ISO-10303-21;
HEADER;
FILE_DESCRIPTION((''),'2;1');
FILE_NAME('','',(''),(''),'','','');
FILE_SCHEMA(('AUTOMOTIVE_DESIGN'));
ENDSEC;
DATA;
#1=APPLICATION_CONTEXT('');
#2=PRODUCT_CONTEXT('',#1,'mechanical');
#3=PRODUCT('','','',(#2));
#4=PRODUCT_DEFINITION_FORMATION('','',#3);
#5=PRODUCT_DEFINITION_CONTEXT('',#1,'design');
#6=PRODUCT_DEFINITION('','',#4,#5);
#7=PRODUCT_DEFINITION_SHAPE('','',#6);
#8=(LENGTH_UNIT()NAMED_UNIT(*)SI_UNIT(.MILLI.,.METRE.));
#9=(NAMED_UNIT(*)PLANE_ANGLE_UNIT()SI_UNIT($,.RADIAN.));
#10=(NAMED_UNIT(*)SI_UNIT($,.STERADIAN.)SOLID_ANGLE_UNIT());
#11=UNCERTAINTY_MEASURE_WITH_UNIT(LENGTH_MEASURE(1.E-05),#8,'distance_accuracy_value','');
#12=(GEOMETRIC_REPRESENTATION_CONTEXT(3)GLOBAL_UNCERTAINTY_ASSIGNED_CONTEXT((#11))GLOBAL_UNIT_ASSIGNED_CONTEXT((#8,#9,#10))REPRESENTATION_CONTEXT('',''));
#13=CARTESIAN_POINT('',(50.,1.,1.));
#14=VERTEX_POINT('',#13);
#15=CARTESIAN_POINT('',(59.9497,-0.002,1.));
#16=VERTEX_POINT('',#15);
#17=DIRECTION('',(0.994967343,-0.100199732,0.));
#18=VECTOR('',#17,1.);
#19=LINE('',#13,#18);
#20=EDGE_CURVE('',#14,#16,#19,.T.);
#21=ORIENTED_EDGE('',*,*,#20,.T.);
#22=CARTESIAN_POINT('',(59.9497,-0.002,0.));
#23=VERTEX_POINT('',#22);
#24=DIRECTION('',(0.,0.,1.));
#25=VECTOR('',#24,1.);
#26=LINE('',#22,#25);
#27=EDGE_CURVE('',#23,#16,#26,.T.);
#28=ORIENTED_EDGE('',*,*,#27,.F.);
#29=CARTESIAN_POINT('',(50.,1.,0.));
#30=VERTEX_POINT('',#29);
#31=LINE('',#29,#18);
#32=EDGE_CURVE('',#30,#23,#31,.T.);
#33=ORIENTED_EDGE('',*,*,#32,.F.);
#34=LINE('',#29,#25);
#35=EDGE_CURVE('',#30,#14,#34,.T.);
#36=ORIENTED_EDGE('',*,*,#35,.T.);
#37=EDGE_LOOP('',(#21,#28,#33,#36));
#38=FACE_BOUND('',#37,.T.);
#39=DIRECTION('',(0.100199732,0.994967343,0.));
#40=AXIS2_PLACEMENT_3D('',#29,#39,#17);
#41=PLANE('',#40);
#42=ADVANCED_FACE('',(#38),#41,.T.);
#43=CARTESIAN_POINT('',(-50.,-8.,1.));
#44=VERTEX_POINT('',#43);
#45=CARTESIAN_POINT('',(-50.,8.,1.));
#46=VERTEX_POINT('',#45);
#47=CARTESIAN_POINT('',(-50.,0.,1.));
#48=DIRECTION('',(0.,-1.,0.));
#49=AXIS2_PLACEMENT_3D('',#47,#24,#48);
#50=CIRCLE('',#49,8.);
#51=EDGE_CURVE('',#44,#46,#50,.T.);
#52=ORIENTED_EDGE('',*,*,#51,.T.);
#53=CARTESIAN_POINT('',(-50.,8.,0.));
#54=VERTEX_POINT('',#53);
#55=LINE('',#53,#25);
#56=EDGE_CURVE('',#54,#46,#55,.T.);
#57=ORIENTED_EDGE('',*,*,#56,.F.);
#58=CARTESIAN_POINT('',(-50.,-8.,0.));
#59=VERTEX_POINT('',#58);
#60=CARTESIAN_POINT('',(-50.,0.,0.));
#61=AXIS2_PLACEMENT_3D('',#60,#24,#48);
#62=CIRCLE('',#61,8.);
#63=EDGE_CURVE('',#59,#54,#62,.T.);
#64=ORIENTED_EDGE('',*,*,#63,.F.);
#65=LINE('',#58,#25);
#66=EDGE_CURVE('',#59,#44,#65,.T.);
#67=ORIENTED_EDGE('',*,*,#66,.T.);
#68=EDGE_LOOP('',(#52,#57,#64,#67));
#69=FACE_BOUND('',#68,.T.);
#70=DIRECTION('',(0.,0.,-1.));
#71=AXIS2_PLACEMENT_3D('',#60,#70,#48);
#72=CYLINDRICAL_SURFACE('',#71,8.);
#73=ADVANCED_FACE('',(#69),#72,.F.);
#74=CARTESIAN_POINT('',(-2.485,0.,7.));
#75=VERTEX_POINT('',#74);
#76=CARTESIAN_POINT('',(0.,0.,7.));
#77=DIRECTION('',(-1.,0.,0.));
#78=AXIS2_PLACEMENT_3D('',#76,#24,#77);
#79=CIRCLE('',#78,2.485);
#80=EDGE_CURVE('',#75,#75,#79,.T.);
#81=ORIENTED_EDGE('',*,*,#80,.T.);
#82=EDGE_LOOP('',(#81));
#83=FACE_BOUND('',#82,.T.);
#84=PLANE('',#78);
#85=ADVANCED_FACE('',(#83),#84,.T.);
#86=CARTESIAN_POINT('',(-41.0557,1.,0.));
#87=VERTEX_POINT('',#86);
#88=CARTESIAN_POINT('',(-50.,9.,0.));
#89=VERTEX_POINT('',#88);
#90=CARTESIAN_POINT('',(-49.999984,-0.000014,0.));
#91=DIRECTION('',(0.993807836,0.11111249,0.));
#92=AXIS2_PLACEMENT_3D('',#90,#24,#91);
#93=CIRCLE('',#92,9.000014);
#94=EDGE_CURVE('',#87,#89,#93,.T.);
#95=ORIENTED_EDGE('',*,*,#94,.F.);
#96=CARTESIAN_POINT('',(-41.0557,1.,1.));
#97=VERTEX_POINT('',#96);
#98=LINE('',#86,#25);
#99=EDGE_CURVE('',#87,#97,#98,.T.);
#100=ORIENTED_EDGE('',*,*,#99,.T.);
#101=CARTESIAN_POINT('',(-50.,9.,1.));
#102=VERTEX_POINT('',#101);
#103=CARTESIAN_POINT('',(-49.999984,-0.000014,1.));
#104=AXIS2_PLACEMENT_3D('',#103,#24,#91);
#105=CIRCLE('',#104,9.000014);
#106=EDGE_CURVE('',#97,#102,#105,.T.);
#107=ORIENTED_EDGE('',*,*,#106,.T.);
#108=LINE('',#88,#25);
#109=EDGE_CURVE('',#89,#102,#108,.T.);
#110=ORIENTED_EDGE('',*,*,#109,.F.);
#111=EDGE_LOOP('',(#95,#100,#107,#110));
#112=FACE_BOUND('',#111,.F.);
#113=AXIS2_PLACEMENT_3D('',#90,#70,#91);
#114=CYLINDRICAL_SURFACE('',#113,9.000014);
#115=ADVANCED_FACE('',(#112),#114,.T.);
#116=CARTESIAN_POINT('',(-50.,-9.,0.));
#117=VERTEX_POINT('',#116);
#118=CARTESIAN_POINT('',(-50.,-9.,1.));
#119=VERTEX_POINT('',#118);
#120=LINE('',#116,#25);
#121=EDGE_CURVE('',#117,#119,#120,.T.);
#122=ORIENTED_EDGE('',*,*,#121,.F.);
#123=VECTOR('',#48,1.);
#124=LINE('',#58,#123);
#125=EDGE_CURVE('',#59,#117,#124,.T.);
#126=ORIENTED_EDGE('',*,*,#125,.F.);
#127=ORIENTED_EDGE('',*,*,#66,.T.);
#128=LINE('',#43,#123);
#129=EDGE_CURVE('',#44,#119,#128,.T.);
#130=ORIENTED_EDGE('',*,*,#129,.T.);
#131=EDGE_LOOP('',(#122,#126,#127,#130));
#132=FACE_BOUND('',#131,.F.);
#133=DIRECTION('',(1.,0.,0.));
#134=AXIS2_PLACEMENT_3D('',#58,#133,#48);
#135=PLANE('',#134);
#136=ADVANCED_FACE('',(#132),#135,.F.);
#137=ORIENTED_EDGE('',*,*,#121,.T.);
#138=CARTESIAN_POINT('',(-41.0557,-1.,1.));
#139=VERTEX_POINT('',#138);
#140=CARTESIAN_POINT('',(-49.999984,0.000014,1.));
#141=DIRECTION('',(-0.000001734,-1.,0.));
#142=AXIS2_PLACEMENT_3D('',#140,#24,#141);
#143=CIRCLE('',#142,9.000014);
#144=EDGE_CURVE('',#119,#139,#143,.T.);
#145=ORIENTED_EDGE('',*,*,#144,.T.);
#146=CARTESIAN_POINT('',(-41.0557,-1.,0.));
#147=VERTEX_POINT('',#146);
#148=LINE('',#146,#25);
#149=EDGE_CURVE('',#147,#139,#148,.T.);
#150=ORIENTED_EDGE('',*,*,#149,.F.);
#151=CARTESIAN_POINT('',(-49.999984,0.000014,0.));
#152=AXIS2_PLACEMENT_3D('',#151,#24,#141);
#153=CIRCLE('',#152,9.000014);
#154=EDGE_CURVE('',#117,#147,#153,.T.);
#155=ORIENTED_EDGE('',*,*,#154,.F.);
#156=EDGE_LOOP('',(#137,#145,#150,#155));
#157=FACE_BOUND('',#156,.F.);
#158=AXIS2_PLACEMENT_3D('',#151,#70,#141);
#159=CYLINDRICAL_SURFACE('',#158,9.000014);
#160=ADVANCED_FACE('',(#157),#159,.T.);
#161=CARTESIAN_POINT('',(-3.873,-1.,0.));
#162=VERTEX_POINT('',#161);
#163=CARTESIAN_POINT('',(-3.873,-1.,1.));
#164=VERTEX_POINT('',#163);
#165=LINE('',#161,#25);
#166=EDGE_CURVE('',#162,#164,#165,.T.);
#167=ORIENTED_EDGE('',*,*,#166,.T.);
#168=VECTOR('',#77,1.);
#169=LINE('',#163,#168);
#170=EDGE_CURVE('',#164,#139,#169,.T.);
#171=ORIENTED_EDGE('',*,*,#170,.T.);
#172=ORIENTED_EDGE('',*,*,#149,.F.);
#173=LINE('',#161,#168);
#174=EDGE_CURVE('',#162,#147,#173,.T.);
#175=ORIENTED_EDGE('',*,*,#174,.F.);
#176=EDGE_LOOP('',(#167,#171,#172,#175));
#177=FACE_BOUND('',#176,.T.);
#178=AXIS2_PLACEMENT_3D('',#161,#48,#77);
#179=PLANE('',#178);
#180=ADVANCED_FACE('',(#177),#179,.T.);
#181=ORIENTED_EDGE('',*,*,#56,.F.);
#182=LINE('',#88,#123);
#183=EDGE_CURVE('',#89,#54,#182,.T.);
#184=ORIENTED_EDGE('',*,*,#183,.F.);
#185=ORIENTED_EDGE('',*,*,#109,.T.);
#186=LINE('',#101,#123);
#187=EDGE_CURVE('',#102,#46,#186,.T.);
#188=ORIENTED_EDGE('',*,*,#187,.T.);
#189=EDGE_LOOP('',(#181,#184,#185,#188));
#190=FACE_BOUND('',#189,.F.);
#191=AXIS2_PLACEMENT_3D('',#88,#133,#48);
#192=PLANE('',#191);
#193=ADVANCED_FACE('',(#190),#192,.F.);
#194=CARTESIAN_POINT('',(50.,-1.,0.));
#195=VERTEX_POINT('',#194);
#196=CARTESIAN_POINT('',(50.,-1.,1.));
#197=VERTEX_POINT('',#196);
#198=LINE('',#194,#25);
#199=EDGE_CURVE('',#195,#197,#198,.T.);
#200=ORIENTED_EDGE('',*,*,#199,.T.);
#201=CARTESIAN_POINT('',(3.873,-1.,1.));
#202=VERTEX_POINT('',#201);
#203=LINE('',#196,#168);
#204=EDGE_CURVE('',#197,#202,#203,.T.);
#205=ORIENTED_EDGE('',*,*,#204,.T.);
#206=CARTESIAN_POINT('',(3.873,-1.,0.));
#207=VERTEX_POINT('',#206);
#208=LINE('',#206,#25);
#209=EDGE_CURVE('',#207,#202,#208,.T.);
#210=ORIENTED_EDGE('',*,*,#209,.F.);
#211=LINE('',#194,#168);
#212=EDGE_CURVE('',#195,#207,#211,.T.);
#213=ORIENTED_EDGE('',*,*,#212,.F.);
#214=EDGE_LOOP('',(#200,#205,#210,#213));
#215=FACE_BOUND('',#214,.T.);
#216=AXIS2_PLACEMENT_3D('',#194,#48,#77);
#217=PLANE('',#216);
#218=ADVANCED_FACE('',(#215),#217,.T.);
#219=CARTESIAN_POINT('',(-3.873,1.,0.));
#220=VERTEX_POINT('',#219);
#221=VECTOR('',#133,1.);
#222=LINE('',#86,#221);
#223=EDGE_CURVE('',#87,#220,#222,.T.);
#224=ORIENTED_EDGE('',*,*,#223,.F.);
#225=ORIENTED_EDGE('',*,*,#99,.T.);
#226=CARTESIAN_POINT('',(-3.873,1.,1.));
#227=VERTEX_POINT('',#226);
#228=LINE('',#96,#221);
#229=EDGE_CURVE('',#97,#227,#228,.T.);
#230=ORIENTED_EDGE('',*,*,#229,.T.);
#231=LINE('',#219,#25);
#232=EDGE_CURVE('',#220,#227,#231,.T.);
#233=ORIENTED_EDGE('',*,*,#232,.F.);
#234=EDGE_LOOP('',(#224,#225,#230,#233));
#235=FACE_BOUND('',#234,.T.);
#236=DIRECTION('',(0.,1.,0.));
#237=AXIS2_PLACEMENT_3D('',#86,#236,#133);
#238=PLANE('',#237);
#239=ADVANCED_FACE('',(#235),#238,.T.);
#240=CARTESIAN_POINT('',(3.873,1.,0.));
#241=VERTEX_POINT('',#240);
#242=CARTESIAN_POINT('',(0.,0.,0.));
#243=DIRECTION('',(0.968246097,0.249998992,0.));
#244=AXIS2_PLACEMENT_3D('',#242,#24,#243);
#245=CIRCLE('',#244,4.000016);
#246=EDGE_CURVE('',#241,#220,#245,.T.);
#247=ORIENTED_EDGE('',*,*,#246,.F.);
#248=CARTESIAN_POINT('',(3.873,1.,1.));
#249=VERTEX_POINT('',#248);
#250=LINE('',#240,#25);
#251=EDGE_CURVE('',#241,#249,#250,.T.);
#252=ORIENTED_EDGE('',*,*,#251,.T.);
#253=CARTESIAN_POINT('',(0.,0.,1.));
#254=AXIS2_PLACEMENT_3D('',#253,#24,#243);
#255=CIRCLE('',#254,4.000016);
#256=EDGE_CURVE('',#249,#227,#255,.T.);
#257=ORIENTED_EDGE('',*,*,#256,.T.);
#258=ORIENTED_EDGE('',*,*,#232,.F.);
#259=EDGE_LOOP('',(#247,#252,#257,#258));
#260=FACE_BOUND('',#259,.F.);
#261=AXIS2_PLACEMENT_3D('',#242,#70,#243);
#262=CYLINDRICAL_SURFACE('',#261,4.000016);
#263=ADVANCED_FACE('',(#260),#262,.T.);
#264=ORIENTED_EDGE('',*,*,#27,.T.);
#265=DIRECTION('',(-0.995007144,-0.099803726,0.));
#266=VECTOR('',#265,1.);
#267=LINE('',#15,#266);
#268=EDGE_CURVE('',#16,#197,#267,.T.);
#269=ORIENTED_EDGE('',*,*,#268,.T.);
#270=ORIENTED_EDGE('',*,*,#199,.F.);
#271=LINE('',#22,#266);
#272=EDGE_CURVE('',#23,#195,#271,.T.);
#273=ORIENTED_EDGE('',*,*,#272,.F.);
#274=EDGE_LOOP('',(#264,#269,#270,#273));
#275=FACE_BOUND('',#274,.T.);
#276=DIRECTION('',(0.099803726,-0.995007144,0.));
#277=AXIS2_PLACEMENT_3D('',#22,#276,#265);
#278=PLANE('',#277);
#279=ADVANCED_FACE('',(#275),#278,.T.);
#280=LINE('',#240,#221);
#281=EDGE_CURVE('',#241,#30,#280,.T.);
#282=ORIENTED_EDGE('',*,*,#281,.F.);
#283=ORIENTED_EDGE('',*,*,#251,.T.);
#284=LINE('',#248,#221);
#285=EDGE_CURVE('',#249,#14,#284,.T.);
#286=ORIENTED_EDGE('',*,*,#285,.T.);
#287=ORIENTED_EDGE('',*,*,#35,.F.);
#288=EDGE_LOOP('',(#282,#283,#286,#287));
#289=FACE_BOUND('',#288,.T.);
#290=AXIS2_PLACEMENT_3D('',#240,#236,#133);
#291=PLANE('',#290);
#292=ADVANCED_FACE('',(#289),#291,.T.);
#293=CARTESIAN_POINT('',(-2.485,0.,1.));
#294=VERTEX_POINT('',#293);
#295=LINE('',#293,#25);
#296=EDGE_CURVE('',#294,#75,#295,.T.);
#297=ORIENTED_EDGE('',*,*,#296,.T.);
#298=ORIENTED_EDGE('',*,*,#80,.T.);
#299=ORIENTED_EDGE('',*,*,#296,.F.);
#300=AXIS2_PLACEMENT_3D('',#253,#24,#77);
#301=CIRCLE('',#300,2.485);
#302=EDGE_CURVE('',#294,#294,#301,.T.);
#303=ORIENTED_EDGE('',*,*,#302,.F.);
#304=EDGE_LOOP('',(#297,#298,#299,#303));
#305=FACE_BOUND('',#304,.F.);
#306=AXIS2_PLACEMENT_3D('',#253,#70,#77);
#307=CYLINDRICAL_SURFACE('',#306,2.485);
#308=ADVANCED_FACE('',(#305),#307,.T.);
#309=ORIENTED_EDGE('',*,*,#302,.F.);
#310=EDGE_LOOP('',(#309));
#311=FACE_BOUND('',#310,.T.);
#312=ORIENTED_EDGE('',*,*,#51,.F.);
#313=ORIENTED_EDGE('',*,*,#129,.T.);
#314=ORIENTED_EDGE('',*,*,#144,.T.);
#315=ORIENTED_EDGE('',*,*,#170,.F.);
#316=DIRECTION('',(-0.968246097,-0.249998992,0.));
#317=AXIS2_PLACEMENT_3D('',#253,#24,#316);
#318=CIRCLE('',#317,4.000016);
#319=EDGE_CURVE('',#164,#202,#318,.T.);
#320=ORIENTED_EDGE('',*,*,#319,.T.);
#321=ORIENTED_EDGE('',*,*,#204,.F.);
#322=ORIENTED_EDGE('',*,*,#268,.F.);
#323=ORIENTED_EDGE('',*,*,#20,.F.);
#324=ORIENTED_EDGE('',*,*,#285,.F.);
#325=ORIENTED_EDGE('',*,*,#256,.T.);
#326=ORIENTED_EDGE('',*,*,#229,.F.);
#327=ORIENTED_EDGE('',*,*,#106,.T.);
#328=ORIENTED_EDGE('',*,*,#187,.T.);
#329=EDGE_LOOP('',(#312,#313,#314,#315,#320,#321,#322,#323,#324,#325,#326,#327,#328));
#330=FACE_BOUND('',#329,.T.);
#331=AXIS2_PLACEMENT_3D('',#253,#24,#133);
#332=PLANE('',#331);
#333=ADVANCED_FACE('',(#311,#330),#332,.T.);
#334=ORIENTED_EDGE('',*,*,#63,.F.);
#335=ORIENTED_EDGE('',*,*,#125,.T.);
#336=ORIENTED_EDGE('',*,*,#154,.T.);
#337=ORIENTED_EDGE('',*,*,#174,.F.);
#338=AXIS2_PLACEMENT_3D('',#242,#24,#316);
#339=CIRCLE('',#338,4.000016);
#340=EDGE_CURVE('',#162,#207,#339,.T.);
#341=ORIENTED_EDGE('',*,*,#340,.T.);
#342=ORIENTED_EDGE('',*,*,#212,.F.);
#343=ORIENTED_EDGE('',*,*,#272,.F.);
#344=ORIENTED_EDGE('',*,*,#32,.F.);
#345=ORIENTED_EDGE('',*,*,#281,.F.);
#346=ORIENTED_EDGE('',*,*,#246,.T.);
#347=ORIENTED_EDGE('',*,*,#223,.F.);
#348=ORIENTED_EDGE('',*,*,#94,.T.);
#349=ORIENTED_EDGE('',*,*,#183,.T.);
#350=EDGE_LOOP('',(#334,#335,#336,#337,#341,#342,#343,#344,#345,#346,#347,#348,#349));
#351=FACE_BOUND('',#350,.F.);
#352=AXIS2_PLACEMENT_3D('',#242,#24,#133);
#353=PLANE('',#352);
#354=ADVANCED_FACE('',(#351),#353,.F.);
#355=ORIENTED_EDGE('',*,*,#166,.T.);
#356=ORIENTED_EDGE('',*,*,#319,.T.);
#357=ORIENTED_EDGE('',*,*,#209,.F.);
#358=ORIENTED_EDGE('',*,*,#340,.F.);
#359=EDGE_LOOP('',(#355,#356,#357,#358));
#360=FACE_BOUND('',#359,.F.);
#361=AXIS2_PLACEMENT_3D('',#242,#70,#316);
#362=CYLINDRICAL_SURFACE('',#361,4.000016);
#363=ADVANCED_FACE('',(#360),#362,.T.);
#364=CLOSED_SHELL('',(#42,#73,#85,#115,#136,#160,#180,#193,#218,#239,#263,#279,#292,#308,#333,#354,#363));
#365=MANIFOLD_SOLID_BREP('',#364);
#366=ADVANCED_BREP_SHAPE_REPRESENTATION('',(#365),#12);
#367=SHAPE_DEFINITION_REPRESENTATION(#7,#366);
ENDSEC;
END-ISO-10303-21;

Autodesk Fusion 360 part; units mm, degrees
sketch "Sketch1" plane through (0, 0, 0) normal (0, 0, 1) x (1, 0, 0)
  line L0 (-50, 1) -> (50, -1) construction
  line L1 (50, 1) -> (-50, -1) construction
  line L2 (50, 1) -> (60, 1) construction
  line L3 (50, -1) -> (60, -1) construction
  arc A0 (-50, -8) -> (-50, 8) centre (-50, 0) ccw
  line L4 (-50, 9) -> (-50, 8)
  line L5 (-50, -8) -> (-50, -9)
  line L6 (50, 1) -> (59.9497, -0.002)
  line L7 (59.9497, -0.002) -> (50, -1)
  arc A1 (3.9992, -0.08) -> (3.9992, 0.08) centre (0, 0) ccw
  arc A2 (3.873, 1) -> (-3.873, 1) centre (0, 0) ccw
  arc A3 (-3.9992, 0.08) -> (-3.9992, -0.08) centre (0, 0) ccw
  arc A4 (-3.873, -1) -> (3.873, -1) centre (0, 0) ccw
  arc A5 (-50, -9) -> (-41.0557, -1) centre (-50, 0) ccw
  arc A6 (-41.0557, 1) -> (-50, 9) centre (-50, 0) ccw
  line L8 (-41.0557, 1) -> (-3.873, 1)
  line L9 (3.873, 1) -> (50, 1)
  line L10 (50, -1) -> (3.873, -1)
  line L11 (-3.873, -1) -> (-41.0557, -1)
  dimension "d57" = 8
  dimension "d58" = 100
  dimension "d59" = 2
  dimension "d64" = 8
  dimension "d66" = 10
extrude "Extrude1" add sketch "Sketch1" along normal blind 1
sketch "Sketch2" plane through (0, 0, 1) normal (0, 0, 1) x (-1, 0, 0)
  arc A0 (-3.873, -1) -> (3.873, -1) centre (0, 0) ccw
  line L0 (3.873, -1) -> (41.0557, -1)
  arc A1 (41.0557, -1) -> (50, -9) centre (50, 0) ccw
  line L1 (50, -9) -> (50, -8)
  arc A2 (50, 8) -> (50, -8) centre (50, 0) ccw
  line L2 (50, 8) -> (50, 9)
  arc A3 (50, 9) -> (41.0557, 1) centre (50, 0) ccw
  line L3 (41.0557, 1) -> (3.873, 1)
  arc A4 (3.873, 1) -> (-3.873, 1) centre (0, 0) ccw
  line L4 (-3.873, 1) -> (-50, 1)
  line L5 (-50, 1) -> (-59.9497, 0.002)
  line L6 (-59.9497, 0.002) -> (-50, -1)
  line L7 (-50, -1) -> (-3.873, -1)
  circle A5 centre (0, 0) radius 2.485
  dimension "d69" = 4.97
extrude "Extrude2" add sketch "Sketch2" along normal blind 6 contours A5
